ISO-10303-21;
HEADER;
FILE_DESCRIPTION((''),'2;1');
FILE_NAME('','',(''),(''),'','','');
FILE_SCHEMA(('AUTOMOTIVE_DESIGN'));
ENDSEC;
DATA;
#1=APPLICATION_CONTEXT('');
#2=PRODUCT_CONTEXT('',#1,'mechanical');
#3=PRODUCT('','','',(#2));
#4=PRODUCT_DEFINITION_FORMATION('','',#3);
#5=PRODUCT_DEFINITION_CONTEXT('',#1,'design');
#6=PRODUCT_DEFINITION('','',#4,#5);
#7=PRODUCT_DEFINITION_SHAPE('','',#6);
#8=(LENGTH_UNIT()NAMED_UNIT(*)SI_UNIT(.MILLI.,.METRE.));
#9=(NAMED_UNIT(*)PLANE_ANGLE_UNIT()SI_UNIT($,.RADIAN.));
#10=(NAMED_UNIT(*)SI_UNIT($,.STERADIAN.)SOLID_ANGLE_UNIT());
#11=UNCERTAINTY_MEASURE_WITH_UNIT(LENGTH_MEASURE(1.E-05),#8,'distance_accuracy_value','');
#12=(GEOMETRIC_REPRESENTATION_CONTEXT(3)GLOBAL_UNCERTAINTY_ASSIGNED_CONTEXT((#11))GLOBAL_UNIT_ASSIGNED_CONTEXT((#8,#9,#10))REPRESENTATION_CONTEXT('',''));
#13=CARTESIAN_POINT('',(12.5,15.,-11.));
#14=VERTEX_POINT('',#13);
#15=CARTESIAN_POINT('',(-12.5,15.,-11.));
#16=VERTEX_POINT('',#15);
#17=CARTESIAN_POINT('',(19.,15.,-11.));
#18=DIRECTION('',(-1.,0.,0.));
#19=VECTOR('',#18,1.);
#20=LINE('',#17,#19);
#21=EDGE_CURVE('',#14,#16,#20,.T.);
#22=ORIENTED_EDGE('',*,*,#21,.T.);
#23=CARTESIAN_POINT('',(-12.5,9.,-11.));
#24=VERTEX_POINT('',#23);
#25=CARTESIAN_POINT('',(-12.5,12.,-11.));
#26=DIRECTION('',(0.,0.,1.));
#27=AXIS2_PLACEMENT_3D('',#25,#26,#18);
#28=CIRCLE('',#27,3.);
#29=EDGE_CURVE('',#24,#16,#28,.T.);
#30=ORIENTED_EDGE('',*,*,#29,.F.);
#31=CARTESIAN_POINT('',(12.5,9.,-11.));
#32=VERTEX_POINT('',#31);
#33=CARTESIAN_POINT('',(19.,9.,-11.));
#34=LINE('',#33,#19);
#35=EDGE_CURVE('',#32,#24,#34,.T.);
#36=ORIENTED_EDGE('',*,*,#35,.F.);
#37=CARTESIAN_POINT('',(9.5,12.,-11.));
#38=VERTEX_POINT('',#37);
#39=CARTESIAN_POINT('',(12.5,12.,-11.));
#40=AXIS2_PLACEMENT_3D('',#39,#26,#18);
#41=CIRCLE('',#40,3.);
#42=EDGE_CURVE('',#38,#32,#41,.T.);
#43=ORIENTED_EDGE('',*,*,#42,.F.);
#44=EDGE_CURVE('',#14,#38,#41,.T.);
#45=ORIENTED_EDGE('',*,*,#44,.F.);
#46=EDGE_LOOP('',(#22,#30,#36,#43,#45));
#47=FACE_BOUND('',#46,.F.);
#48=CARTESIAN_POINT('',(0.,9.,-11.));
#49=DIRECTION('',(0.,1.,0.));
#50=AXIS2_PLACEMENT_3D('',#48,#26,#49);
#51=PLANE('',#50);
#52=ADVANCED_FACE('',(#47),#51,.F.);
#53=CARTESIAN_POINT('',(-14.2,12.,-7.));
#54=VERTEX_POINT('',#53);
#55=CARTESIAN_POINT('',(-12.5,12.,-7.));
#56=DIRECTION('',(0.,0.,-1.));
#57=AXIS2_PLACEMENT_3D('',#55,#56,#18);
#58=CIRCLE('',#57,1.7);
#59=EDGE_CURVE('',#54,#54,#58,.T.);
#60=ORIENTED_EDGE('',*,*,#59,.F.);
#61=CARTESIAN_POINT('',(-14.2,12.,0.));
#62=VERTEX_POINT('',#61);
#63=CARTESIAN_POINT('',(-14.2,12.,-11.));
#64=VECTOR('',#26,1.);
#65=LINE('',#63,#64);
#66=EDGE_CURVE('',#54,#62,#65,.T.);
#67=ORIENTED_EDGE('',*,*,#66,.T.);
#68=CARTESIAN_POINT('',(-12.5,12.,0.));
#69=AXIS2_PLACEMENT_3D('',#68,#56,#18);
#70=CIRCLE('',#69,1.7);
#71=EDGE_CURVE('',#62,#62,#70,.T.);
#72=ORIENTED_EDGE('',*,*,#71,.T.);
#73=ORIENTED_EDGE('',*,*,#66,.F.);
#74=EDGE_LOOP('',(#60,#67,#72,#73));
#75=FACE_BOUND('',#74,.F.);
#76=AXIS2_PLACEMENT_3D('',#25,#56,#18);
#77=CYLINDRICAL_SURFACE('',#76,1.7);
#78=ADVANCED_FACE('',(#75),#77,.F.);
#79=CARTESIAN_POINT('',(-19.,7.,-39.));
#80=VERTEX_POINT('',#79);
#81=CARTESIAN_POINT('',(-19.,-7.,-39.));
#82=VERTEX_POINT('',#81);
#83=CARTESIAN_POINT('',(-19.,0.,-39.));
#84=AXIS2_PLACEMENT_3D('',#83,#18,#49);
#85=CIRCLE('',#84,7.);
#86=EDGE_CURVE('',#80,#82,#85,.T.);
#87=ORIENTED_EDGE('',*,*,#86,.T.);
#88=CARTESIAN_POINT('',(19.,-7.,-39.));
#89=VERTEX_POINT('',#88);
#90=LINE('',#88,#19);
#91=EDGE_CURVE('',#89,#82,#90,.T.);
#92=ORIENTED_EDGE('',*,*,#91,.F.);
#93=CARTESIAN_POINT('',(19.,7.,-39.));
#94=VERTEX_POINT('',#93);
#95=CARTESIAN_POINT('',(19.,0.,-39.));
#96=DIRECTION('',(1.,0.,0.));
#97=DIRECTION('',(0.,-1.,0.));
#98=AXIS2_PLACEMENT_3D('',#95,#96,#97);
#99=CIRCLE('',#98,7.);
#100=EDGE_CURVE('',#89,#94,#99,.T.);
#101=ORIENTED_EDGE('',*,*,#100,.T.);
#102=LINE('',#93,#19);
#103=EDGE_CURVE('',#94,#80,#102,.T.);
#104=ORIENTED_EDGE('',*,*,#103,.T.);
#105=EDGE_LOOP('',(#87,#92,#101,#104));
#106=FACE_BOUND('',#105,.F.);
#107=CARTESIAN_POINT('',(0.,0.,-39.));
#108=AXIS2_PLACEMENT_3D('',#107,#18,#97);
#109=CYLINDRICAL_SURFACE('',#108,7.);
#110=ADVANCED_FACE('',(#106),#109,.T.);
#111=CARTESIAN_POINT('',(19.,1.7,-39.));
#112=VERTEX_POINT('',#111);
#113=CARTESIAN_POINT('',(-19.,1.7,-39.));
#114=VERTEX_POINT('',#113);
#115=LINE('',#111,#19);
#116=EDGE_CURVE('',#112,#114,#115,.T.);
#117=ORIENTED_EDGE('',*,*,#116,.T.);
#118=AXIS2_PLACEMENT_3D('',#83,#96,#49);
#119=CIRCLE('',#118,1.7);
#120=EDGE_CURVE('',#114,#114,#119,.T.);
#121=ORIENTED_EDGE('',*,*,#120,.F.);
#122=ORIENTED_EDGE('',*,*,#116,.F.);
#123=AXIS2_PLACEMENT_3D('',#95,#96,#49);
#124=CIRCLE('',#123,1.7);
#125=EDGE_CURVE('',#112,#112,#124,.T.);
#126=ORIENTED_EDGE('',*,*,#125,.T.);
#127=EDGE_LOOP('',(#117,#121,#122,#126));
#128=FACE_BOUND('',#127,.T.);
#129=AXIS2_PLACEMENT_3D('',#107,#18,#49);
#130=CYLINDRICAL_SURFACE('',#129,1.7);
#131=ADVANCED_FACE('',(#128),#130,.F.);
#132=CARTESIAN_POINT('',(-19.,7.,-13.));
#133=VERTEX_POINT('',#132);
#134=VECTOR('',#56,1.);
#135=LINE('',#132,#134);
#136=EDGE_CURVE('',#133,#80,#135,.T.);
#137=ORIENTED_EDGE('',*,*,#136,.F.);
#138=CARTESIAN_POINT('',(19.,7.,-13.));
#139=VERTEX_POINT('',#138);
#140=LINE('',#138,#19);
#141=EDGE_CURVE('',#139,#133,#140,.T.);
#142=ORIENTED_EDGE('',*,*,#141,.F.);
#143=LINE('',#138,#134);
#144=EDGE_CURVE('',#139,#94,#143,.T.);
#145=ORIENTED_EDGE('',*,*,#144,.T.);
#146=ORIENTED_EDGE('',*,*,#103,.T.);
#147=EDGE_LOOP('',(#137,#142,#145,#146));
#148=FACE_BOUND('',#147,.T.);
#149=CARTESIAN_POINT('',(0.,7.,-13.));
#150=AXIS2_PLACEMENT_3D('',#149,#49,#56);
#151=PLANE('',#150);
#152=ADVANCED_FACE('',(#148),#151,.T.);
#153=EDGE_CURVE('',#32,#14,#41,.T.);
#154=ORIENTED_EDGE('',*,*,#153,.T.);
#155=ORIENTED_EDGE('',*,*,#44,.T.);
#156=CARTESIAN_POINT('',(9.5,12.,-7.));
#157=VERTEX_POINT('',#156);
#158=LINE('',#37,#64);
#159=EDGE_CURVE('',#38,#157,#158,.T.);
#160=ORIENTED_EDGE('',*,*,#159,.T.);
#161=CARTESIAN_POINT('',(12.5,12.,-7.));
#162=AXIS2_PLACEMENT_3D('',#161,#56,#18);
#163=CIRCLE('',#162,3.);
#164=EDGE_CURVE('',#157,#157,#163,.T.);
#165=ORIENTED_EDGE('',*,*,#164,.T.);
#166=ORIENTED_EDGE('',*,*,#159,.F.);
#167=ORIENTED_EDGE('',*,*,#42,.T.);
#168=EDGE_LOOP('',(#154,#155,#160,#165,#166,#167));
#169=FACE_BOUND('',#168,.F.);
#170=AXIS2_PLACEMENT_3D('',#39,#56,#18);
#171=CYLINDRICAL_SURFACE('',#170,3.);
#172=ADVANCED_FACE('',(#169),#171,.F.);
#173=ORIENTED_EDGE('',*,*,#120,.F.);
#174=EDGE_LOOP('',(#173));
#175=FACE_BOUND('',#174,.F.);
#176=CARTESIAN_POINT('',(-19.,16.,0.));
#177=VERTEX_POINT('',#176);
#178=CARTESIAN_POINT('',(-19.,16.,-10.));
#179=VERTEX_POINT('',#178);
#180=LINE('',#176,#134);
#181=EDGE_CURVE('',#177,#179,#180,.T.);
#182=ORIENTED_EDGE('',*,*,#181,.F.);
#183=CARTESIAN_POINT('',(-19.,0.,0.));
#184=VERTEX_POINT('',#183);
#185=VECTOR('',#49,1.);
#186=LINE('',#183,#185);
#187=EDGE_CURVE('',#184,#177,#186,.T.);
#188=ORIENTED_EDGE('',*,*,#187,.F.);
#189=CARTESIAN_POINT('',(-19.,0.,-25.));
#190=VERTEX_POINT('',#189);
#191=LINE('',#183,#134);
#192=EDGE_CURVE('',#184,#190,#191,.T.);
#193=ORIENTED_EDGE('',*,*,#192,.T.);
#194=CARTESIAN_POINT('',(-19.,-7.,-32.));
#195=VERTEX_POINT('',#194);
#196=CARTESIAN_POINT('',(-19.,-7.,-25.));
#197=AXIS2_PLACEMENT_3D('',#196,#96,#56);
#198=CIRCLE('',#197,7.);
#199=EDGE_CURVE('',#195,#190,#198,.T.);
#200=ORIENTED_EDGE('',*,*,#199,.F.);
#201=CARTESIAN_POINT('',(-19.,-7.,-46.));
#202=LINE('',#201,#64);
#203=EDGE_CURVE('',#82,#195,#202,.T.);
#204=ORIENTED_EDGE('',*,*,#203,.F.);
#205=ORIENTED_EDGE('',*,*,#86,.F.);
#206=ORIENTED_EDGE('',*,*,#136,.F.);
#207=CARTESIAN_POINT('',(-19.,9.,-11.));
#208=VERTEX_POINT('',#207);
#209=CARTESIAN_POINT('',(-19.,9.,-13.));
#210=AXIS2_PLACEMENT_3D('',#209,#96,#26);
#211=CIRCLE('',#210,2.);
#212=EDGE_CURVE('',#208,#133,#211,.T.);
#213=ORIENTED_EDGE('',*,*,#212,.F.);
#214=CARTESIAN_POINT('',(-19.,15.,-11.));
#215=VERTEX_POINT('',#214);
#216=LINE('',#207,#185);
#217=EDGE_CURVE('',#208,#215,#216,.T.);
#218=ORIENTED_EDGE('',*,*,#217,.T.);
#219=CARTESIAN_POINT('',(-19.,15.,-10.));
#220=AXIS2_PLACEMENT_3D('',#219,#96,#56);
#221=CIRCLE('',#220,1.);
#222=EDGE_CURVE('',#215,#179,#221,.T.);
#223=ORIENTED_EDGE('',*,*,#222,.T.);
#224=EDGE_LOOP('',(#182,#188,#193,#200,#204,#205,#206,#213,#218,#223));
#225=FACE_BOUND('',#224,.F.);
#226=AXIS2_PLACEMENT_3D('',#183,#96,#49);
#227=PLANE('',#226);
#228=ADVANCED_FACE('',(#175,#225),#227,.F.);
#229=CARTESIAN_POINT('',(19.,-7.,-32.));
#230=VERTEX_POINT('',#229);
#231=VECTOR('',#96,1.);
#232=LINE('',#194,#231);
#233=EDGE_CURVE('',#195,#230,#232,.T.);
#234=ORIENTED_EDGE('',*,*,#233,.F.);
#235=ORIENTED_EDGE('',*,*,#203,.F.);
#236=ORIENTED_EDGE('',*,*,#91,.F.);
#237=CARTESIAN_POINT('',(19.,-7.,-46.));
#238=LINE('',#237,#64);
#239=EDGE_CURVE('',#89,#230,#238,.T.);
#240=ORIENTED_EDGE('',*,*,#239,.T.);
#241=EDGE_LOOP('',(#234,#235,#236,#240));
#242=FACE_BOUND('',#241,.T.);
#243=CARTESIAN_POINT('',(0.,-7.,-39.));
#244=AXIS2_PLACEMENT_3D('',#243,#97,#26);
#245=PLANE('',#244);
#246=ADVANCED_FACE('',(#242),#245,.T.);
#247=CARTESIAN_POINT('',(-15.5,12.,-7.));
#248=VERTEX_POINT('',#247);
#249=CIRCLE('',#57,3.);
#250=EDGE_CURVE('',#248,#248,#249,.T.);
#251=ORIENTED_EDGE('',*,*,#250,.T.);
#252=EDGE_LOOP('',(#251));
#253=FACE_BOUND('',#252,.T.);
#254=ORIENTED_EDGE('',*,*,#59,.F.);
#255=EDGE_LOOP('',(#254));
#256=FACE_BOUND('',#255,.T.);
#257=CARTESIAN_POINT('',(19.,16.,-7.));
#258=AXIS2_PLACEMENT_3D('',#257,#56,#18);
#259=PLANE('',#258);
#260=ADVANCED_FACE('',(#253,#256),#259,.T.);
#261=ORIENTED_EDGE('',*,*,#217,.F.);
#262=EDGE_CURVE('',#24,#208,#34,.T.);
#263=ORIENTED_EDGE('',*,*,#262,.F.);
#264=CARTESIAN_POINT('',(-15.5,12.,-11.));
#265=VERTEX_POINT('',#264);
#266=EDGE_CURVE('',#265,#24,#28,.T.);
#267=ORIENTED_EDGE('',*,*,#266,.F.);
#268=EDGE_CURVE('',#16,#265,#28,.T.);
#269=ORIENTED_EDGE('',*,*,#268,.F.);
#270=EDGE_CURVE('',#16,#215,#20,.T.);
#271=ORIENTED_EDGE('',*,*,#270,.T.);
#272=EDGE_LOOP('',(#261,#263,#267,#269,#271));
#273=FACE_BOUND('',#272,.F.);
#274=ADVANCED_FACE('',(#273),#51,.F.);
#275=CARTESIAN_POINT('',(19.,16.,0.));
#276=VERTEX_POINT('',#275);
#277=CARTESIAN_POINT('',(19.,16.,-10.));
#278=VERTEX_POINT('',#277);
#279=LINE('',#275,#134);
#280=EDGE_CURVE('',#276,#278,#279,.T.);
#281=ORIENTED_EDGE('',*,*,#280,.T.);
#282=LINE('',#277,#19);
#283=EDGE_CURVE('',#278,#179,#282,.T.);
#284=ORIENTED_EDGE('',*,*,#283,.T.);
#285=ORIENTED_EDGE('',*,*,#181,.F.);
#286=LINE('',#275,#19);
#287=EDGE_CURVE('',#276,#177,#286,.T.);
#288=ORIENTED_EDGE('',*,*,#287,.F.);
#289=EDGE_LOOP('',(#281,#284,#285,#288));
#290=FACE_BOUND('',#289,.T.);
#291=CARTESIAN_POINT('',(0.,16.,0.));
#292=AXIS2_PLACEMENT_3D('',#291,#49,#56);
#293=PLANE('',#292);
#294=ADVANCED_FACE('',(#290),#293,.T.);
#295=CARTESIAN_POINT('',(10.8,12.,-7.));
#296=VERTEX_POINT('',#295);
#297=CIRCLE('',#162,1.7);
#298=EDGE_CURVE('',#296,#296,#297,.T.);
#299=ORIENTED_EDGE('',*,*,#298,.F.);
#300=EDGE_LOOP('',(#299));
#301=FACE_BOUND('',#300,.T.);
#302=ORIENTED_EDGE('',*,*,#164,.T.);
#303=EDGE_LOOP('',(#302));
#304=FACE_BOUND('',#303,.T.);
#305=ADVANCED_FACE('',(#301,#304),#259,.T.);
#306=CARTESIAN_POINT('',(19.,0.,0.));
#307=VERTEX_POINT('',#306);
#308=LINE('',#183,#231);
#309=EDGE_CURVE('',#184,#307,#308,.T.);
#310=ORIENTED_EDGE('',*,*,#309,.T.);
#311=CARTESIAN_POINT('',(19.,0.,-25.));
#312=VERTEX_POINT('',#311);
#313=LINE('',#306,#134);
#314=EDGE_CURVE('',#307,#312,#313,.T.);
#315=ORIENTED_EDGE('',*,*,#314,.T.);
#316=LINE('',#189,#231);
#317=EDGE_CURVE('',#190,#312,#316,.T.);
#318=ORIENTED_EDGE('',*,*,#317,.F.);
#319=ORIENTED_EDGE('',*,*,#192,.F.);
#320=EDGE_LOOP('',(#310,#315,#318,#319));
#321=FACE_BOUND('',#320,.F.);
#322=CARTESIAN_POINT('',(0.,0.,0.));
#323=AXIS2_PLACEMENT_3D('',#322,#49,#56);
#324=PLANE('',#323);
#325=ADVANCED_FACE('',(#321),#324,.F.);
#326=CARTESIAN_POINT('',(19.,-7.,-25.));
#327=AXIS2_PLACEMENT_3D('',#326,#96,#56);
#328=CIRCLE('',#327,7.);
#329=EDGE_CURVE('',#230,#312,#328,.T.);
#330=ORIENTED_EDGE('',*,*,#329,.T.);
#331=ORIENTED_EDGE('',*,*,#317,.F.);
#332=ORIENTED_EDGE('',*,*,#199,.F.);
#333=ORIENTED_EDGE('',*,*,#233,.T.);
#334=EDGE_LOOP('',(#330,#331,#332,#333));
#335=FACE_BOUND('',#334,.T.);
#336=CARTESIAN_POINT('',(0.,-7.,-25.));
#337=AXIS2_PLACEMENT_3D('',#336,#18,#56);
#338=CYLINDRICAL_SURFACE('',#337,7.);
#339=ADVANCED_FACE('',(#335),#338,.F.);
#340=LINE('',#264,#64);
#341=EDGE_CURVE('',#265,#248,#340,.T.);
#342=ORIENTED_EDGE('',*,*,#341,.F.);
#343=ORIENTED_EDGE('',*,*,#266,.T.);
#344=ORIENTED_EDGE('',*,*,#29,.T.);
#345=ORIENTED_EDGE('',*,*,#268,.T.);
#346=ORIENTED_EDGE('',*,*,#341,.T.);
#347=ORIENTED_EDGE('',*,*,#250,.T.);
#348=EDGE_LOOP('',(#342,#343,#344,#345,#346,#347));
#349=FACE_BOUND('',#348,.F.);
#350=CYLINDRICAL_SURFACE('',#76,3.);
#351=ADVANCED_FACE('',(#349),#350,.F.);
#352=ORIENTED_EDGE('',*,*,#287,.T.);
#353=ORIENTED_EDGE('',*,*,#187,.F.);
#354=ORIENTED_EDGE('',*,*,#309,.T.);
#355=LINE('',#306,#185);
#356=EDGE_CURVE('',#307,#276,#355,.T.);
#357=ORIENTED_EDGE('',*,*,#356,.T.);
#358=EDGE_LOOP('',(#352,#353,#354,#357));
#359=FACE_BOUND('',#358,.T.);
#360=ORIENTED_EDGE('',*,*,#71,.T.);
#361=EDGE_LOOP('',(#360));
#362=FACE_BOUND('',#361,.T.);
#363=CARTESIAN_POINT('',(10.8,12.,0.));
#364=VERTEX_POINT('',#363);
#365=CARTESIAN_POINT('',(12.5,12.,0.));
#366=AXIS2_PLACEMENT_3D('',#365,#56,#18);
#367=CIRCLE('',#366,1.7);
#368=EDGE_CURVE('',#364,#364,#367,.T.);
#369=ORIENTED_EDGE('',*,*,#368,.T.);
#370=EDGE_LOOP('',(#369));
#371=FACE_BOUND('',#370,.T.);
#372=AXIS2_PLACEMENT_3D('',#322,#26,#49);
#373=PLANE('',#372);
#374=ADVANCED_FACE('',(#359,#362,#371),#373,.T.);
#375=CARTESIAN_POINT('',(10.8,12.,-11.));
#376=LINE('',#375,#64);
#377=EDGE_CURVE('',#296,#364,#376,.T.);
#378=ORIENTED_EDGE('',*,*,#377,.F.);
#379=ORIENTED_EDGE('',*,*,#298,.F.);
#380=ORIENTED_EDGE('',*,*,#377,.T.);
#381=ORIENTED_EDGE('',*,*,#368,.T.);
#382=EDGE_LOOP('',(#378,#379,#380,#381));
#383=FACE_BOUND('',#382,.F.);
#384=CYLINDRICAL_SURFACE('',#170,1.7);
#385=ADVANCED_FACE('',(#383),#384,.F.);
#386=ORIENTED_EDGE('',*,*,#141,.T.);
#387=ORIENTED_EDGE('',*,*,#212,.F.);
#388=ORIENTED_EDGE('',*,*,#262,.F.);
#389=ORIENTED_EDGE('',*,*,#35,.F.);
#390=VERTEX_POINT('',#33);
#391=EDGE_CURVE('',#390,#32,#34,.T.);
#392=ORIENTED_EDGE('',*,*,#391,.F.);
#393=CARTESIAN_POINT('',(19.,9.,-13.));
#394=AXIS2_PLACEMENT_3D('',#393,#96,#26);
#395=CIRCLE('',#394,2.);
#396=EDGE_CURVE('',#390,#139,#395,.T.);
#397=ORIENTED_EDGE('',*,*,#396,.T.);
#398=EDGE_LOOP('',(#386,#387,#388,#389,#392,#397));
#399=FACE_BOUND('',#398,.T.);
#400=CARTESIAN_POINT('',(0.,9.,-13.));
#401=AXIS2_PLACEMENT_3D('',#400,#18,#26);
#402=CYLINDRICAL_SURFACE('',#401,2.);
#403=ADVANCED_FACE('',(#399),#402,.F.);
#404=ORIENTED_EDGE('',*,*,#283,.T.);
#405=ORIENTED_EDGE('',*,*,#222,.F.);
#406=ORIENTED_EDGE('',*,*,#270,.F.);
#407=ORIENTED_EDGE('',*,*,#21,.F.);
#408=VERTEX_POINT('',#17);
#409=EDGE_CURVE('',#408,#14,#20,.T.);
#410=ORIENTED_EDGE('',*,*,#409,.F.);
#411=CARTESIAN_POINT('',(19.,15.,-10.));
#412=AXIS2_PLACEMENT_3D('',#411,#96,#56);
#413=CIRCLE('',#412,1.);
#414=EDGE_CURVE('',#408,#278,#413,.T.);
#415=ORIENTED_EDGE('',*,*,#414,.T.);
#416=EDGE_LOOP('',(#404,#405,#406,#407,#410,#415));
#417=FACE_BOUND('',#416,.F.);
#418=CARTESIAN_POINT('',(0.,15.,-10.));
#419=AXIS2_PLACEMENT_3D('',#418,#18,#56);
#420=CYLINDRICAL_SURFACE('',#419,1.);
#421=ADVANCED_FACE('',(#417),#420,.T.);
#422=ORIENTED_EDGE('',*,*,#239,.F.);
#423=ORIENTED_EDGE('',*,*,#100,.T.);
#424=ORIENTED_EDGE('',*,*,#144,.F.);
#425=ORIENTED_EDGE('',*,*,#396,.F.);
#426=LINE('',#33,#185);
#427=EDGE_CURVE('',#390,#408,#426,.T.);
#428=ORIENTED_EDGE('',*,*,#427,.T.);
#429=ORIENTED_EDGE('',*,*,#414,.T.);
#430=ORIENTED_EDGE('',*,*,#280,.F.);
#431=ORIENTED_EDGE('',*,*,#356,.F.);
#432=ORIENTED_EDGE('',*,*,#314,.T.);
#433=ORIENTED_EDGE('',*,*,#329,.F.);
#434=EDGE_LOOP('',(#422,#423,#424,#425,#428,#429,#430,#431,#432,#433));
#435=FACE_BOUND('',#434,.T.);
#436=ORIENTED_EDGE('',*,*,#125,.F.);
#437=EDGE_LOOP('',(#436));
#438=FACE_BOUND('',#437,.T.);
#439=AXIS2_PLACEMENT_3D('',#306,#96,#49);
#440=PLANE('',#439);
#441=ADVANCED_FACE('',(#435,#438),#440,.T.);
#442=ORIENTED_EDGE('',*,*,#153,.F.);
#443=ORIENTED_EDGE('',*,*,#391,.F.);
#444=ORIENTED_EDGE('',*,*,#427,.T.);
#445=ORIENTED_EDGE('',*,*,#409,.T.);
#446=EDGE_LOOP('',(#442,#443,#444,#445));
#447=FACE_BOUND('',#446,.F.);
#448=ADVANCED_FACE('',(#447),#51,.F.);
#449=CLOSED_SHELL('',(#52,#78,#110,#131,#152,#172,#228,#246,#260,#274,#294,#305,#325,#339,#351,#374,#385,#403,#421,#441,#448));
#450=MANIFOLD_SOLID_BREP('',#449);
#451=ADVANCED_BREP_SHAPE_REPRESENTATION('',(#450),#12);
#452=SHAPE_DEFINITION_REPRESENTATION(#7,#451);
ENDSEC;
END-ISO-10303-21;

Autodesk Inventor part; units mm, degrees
ref_plane "YZ Plane" through (0, 0, 0) normal (1, 0, 0) x (0, 1, 0)
ref_plane "XZ Plane" through (0, 0, 0) normal (0, 1, 0) x (-1, 0, 0)
ref_plane "XY Plane" through (0, 0, 0) normal (0, 0, 1) x (1, 0, 0)
sketch "Skizze1" plane through (0, 0, 0) normal (1, 0, 0) x (0, 1, 0)
  line L0 (0, 0) -> (0, -25)
  line L1 (0, 0) -> (16, 0)
  line L2 (16, 0) -> (16, -39)
  line L3 (9, -46) -> (-7, -46)
  arc A0 (-7, -32) -> (0, -25) centre (-7, -25) ccw
  line L4 (-7, -46) -> (-7, -32)
  arc A1 (9, -46) -> (16, -39) centre (9, -39) ccw
  circle A2 centre (0, -39) radius 7 construction
  circle A3 centre (0, -39) radius 1.7
  arc A4 (9, -11) -> (7, -13) centre (9, -13) ccw
  line L5 (9, -11) -> (16, -11)
  line L6 (7, -13) -> (7, -46)
  arc A5 (-7, -39) -> (7, -39) centre (0, -39) ccw
  arc A6 (15, -11) -> (16, -10) centre (15, -10) ccw
  dimension "d2" = 14
  dimension "d3" = 16
  dimension "d7" = 14
  dimension "d8" = 3.4
  dimension "d11" = 39
  dimension "d15" = 11
  dimension "d16" = 2
  dimension "d24" = 1
extrude "Extrusion1" add sketch "Skizze1" along normal mid plane 38 contours L1 L2 A6 L5 A4 L6 A5 L4 A0 L0
sketch "Skizze2" plane through (19, 16, -11) normal (0, 0, -1) x (-1, 0, 0)
  line L0 (0, -7) -> (0, -1) projected
  line L1 (38, -7) -> (0, -7) projected
  line L2 (38, -1) -> (38, -7) projected
  line L3 (19, -1) -> (19, -7) construction
  line L4 (38, -7) -> (0, -7) projected
  circle A0 centre (6.5, -4) radius 1.7
  circle A1 centre (31.5, -4) radius 1.7
  circle A2 centre (6.5, -4) radius 3
  circle A3 centre (31.5, -4) radius 3
  line L5 (38, -1) -> (0, -1) projected
  point P0 (19, -16)
  dimension "d17" = 3.4
  dimension "d18" = 6
  dimension "d19" = 25
extrude "Extrusion2" cut sketch "Skizze2" against normal through all contours A0 | A1
extrude "Extrusion3" cut sketch "Skizze2" against normal blind 4 contours A2 | A3
equation "\"d2\" = d7"
properties part number "Skirt Mount" material "ABS-Kunststoff"
